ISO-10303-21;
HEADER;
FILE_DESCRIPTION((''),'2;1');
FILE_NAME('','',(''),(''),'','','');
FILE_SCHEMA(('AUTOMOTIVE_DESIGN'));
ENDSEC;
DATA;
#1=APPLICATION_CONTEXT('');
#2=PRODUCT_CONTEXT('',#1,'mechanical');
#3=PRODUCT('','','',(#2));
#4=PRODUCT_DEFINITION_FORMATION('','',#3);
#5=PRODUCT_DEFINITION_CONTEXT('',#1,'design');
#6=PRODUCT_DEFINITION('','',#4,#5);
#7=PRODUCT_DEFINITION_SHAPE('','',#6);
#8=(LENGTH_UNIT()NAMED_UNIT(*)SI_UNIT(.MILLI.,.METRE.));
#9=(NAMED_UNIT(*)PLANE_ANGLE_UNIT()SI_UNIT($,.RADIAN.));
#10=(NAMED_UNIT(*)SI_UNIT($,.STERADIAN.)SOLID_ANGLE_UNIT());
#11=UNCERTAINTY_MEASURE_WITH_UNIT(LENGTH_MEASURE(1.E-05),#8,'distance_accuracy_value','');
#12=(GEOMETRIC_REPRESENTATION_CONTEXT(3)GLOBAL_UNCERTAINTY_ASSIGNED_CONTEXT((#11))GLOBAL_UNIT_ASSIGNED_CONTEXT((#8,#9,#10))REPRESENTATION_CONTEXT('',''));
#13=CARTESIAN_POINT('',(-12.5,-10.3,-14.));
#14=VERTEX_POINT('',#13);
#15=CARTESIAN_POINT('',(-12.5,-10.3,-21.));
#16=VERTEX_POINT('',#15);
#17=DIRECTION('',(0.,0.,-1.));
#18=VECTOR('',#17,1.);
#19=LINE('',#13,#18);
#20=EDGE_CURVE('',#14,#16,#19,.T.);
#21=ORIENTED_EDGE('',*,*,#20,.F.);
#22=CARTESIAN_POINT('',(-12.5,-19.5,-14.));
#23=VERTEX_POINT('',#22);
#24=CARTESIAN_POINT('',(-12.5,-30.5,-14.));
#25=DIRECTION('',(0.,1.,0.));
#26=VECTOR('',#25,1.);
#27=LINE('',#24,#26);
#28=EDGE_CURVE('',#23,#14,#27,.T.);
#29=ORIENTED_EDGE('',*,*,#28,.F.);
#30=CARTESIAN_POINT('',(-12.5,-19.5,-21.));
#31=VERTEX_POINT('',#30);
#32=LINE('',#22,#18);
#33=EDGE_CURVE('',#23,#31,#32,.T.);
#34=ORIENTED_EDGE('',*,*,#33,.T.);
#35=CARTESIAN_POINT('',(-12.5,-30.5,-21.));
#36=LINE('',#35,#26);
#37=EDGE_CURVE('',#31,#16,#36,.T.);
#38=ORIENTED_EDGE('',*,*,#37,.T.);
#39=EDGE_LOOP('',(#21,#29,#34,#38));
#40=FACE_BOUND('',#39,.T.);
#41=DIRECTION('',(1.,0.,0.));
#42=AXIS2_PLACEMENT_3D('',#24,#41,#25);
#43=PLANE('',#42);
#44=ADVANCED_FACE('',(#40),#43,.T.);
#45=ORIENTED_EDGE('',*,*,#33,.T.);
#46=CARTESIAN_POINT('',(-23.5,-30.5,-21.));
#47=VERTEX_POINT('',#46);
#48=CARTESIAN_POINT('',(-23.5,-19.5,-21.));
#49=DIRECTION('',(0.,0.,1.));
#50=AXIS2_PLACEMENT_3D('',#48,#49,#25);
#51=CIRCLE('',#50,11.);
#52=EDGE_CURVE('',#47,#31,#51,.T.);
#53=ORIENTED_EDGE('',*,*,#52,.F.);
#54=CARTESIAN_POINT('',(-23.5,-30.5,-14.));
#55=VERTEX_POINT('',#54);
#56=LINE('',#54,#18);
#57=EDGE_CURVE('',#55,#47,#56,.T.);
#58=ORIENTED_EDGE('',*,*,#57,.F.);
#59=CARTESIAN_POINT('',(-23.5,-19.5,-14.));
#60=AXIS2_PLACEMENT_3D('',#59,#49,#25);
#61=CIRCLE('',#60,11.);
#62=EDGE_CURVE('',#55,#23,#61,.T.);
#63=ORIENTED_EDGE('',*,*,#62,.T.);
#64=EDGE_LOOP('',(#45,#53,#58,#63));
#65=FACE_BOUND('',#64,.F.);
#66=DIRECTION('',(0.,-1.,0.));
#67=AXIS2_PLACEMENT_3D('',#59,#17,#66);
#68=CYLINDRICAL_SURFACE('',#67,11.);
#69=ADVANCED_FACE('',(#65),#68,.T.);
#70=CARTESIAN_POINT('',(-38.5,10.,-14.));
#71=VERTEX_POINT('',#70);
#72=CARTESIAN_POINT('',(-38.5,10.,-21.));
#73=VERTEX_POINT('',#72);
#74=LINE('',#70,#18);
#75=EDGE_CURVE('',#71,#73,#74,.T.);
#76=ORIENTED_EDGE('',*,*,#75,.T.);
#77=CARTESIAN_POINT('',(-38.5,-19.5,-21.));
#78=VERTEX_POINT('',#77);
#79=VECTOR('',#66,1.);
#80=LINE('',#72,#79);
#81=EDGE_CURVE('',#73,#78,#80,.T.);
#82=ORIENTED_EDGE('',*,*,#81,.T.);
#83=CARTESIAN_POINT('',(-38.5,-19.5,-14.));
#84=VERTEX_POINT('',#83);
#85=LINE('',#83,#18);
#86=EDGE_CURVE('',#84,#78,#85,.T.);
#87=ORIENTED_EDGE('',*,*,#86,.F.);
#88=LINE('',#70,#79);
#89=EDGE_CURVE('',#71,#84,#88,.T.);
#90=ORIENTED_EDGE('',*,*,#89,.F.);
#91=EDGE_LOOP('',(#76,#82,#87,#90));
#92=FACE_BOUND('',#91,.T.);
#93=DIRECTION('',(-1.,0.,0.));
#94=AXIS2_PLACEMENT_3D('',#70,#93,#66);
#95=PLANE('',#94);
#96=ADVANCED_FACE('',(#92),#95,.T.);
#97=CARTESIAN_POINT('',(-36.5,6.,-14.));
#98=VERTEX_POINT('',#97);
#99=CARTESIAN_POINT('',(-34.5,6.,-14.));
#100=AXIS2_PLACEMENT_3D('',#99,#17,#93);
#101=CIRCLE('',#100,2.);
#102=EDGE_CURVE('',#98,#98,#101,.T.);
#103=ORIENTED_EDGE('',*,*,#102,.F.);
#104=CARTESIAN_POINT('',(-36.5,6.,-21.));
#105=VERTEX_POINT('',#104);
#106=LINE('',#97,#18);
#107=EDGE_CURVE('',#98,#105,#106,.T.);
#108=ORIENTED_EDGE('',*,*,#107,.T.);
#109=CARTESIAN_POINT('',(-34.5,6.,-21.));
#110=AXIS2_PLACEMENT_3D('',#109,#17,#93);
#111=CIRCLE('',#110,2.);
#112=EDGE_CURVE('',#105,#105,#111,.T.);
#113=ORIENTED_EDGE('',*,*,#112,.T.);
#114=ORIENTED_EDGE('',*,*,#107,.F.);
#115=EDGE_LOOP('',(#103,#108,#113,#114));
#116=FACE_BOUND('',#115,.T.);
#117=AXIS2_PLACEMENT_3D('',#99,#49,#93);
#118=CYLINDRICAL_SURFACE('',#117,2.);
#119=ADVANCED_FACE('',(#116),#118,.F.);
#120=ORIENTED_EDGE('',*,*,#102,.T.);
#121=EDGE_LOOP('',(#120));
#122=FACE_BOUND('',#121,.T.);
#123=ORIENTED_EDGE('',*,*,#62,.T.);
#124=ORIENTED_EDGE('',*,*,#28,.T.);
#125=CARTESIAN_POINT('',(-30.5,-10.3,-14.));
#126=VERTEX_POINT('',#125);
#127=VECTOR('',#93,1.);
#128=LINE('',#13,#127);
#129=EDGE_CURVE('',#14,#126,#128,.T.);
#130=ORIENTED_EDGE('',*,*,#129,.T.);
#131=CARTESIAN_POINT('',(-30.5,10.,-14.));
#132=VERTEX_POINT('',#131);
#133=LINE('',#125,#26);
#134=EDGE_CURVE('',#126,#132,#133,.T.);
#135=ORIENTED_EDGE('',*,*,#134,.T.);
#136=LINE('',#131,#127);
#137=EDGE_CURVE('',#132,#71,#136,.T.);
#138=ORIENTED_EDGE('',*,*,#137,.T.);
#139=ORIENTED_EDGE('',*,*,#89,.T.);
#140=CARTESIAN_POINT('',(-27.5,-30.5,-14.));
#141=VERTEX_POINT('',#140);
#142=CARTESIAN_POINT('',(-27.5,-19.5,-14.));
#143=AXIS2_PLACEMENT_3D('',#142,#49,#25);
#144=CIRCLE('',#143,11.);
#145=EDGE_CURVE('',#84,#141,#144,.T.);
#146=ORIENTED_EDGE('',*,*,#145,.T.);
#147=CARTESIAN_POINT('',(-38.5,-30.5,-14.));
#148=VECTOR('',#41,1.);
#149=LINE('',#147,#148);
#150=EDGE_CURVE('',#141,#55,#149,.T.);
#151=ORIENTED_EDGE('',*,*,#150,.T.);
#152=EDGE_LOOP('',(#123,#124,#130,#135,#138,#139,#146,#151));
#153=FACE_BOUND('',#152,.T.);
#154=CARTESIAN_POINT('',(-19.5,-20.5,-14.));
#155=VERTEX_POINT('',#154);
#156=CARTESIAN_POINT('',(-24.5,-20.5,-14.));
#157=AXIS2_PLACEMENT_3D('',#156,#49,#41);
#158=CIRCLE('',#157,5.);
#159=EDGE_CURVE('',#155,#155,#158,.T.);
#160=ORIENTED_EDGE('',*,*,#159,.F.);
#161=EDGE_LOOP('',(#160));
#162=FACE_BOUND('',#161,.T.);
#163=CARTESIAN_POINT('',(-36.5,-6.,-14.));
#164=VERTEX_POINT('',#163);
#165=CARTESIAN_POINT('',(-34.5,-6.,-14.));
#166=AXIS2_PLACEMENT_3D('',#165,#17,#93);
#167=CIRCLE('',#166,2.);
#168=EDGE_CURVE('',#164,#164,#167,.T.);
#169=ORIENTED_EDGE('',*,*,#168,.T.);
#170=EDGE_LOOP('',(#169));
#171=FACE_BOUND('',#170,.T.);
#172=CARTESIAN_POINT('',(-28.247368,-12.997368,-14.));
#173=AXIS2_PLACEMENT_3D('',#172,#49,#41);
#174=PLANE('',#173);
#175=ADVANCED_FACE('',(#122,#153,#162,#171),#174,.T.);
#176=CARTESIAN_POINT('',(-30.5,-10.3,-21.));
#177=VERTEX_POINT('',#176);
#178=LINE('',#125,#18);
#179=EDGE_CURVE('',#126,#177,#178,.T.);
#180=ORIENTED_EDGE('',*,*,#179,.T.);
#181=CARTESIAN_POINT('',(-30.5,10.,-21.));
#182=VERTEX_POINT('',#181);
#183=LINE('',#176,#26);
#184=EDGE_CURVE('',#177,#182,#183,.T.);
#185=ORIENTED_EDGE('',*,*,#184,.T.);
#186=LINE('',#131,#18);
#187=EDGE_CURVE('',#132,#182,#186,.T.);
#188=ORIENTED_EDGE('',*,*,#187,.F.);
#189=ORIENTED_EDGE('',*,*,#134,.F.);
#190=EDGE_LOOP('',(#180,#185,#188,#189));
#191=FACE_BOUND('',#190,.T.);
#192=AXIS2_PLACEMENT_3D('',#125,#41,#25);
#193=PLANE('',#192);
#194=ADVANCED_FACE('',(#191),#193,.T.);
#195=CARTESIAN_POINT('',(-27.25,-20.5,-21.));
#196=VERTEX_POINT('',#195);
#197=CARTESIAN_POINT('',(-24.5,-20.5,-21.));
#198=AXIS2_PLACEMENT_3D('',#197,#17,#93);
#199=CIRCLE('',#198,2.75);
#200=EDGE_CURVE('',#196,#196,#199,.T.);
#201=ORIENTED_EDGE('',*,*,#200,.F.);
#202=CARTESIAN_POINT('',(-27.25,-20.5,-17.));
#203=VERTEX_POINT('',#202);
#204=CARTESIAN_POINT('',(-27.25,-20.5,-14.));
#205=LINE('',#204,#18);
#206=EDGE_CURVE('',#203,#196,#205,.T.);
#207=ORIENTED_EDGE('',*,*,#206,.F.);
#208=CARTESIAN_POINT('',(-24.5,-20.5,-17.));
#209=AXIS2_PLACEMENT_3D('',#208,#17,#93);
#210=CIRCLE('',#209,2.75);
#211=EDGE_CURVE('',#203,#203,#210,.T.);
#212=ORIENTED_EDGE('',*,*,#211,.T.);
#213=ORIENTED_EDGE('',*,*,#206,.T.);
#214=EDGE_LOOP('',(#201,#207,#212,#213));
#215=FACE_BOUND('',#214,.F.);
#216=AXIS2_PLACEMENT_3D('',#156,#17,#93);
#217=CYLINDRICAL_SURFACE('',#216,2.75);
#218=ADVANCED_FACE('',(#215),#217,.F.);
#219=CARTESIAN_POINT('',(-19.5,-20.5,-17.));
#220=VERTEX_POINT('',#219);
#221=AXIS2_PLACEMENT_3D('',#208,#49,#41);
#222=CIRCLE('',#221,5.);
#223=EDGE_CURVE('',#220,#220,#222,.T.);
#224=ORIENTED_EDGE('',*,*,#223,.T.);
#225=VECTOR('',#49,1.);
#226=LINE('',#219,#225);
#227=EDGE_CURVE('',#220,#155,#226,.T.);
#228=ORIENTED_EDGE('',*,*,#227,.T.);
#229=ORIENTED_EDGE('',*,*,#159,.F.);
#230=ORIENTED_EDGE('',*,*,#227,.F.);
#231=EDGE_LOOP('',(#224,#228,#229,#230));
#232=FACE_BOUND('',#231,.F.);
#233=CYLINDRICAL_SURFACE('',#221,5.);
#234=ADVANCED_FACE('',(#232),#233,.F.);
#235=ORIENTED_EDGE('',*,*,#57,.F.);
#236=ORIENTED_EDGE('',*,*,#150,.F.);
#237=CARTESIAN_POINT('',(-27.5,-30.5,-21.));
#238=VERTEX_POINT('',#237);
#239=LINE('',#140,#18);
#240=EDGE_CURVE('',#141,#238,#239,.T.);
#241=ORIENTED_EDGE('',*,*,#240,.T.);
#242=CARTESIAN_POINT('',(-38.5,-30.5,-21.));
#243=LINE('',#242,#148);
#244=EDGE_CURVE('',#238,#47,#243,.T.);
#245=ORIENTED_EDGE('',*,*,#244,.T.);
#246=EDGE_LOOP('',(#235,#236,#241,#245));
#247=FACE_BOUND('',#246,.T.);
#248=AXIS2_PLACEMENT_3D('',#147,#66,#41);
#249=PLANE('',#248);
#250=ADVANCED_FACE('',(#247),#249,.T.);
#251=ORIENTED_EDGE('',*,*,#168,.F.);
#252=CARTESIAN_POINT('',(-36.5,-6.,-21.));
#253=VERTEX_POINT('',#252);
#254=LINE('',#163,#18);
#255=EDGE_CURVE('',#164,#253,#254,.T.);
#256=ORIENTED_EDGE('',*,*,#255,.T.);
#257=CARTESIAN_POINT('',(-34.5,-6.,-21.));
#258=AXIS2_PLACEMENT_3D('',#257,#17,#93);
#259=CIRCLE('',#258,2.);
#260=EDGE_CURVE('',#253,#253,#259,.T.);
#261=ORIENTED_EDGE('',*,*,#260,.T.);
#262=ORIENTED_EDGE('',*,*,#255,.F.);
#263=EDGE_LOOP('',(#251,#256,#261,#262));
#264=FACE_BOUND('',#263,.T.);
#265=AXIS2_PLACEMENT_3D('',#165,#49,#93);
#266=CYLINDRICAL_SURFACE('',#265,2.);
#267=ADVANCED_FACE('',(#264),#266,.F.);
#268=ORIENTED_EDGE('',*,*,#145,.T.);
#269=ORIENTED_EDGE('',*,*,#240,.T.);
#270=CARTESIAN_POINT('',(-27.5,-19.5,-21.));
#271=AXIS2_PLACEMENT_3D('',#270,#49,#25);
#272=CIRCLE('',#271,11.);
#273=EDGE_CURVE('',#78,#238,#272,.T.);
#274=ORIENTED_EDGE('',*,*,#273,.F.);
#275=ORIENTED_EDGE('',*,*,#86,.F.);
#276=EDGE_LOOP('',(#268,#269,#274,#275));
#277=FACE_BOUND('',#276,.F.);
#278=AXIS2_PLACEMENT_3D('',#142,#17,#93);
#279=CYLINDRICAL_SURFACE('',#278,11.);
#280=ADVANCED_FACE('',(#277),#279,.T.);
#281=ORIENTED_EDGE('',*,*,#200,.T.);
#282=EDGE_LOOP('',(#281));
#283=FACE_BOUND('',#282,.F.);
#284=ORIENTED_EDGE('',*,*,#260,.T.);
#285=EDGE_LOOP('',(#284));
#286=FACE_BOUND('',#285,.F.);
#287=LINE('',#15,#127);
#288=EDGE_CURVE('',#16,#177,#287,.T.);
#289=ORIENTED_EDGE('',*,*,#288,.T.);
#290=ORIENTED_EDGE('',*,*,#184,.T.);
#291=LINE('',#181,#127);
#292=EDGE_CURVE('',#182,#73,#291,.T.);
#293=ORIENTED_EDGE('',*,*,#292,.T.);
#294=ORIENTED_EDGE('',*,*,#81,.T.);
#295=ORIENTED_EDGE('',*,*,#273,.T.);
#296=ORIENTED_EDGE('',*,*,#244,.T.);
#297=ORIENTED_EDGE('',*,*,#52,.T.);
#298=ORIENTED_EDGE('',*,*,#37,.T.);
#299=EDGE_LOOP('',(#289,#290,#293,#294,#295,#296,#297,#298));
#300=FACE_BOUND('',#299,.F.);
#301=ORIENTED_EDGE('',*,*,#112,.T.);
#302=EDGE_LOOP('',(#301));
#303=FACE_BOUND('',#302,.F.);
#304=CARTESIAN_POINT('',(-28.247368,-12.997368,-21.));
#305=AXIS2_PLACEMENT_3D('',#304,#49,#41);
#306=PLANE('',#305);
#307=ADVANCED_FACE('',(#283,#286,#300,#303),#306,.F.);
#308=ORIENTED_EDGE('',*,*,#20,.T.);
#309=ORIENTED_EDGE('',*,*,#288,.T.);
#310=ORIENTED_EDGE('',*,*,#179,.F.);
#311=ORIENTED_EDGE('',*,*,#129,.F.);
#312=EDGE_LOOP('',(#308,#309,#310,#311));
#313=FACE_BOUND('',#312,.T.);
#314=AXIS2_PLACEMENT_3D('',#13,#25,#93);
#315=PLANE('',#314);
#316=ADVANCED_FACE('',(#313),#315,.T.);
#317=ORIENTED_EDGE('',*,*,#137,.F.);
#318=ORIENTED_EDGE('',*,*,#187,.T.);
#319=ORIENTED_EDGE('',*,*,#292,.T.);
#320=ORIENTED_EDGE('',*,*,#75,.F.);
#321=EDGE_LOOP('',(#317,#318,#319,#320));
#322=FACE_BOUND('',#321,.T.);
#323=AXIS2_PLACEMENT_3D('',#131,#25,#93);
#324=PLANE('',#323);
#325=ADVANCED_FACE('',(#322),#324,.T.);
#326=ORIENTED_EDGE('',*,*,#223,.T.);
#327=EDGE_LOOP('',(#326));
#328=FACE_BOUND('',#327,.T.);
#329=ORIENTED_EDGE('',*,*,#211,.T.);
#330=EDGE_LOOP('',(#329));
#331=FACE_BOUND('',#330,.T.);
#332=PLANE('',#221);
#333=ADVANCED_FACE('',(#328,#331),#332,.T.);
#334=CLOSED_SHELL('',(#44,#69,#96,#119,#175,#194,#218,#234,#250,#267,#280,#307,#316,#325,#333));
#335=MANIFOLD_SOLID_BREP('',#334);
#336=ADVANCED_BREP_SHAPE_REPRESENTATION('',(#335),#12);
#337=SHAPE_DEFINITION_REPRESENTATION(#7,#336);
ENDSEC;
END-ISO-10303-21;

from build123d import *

# Parameters (mm, degrees)
SKETCH004_R      = 2
PAD001_DEPTH     = 7
HOLE_D           = 5.5
HOLE_DEPTH       = 25
HOLE_CBORE_D     = 10
HOLE_CBORE_DEPTH = 3
FILLET_R         = 11


with BuildPart() as part:
    # Sketch004 → Pad001 (new body)
    with BuildSketch(Plane(origin=(0, 0, 0), x_dir=(-1, 0, 0), z_dir=(0, 0, -1))):
        Polygon((29, 10), (29, -30.5), (3, -30.5), (3, -10.3), (21, -10.3), (21, 10), align=None)
        with Locations((25, 6)):
            Circle(SKETCH004_R, mode=Mode.SUBTRACT)
        with Locations((25, -6)):
            Circle(SKETCH004_R, mode=Mode.SUBTRACT)
    extrude(amount=PAD001_DEPTH)

    # Hole
    with Locations(Plane.XY):
        with Locations((-15, -20.5)):
            CounterBoreHole(HOLE_D / 2, HOLE_CBORE_D / 2, HOLE_CBORE_DEPTH, depth=HOLE_DEPTH)

    # Fillet
    fillet_edges = [part.edges().sort_by_distance(p)[0] for p in [
        (-29, -30.5, -3.5),
        (-3, -30.5, -3.5),
    ]]
    fillet(fillet_edges, radius=FILLET_R)


with BuildPart() as part_1:
    # Body002 placement: moved
    add(part.part.moved(Location((-9.5, 0, -14))))


solid = part_1.part
